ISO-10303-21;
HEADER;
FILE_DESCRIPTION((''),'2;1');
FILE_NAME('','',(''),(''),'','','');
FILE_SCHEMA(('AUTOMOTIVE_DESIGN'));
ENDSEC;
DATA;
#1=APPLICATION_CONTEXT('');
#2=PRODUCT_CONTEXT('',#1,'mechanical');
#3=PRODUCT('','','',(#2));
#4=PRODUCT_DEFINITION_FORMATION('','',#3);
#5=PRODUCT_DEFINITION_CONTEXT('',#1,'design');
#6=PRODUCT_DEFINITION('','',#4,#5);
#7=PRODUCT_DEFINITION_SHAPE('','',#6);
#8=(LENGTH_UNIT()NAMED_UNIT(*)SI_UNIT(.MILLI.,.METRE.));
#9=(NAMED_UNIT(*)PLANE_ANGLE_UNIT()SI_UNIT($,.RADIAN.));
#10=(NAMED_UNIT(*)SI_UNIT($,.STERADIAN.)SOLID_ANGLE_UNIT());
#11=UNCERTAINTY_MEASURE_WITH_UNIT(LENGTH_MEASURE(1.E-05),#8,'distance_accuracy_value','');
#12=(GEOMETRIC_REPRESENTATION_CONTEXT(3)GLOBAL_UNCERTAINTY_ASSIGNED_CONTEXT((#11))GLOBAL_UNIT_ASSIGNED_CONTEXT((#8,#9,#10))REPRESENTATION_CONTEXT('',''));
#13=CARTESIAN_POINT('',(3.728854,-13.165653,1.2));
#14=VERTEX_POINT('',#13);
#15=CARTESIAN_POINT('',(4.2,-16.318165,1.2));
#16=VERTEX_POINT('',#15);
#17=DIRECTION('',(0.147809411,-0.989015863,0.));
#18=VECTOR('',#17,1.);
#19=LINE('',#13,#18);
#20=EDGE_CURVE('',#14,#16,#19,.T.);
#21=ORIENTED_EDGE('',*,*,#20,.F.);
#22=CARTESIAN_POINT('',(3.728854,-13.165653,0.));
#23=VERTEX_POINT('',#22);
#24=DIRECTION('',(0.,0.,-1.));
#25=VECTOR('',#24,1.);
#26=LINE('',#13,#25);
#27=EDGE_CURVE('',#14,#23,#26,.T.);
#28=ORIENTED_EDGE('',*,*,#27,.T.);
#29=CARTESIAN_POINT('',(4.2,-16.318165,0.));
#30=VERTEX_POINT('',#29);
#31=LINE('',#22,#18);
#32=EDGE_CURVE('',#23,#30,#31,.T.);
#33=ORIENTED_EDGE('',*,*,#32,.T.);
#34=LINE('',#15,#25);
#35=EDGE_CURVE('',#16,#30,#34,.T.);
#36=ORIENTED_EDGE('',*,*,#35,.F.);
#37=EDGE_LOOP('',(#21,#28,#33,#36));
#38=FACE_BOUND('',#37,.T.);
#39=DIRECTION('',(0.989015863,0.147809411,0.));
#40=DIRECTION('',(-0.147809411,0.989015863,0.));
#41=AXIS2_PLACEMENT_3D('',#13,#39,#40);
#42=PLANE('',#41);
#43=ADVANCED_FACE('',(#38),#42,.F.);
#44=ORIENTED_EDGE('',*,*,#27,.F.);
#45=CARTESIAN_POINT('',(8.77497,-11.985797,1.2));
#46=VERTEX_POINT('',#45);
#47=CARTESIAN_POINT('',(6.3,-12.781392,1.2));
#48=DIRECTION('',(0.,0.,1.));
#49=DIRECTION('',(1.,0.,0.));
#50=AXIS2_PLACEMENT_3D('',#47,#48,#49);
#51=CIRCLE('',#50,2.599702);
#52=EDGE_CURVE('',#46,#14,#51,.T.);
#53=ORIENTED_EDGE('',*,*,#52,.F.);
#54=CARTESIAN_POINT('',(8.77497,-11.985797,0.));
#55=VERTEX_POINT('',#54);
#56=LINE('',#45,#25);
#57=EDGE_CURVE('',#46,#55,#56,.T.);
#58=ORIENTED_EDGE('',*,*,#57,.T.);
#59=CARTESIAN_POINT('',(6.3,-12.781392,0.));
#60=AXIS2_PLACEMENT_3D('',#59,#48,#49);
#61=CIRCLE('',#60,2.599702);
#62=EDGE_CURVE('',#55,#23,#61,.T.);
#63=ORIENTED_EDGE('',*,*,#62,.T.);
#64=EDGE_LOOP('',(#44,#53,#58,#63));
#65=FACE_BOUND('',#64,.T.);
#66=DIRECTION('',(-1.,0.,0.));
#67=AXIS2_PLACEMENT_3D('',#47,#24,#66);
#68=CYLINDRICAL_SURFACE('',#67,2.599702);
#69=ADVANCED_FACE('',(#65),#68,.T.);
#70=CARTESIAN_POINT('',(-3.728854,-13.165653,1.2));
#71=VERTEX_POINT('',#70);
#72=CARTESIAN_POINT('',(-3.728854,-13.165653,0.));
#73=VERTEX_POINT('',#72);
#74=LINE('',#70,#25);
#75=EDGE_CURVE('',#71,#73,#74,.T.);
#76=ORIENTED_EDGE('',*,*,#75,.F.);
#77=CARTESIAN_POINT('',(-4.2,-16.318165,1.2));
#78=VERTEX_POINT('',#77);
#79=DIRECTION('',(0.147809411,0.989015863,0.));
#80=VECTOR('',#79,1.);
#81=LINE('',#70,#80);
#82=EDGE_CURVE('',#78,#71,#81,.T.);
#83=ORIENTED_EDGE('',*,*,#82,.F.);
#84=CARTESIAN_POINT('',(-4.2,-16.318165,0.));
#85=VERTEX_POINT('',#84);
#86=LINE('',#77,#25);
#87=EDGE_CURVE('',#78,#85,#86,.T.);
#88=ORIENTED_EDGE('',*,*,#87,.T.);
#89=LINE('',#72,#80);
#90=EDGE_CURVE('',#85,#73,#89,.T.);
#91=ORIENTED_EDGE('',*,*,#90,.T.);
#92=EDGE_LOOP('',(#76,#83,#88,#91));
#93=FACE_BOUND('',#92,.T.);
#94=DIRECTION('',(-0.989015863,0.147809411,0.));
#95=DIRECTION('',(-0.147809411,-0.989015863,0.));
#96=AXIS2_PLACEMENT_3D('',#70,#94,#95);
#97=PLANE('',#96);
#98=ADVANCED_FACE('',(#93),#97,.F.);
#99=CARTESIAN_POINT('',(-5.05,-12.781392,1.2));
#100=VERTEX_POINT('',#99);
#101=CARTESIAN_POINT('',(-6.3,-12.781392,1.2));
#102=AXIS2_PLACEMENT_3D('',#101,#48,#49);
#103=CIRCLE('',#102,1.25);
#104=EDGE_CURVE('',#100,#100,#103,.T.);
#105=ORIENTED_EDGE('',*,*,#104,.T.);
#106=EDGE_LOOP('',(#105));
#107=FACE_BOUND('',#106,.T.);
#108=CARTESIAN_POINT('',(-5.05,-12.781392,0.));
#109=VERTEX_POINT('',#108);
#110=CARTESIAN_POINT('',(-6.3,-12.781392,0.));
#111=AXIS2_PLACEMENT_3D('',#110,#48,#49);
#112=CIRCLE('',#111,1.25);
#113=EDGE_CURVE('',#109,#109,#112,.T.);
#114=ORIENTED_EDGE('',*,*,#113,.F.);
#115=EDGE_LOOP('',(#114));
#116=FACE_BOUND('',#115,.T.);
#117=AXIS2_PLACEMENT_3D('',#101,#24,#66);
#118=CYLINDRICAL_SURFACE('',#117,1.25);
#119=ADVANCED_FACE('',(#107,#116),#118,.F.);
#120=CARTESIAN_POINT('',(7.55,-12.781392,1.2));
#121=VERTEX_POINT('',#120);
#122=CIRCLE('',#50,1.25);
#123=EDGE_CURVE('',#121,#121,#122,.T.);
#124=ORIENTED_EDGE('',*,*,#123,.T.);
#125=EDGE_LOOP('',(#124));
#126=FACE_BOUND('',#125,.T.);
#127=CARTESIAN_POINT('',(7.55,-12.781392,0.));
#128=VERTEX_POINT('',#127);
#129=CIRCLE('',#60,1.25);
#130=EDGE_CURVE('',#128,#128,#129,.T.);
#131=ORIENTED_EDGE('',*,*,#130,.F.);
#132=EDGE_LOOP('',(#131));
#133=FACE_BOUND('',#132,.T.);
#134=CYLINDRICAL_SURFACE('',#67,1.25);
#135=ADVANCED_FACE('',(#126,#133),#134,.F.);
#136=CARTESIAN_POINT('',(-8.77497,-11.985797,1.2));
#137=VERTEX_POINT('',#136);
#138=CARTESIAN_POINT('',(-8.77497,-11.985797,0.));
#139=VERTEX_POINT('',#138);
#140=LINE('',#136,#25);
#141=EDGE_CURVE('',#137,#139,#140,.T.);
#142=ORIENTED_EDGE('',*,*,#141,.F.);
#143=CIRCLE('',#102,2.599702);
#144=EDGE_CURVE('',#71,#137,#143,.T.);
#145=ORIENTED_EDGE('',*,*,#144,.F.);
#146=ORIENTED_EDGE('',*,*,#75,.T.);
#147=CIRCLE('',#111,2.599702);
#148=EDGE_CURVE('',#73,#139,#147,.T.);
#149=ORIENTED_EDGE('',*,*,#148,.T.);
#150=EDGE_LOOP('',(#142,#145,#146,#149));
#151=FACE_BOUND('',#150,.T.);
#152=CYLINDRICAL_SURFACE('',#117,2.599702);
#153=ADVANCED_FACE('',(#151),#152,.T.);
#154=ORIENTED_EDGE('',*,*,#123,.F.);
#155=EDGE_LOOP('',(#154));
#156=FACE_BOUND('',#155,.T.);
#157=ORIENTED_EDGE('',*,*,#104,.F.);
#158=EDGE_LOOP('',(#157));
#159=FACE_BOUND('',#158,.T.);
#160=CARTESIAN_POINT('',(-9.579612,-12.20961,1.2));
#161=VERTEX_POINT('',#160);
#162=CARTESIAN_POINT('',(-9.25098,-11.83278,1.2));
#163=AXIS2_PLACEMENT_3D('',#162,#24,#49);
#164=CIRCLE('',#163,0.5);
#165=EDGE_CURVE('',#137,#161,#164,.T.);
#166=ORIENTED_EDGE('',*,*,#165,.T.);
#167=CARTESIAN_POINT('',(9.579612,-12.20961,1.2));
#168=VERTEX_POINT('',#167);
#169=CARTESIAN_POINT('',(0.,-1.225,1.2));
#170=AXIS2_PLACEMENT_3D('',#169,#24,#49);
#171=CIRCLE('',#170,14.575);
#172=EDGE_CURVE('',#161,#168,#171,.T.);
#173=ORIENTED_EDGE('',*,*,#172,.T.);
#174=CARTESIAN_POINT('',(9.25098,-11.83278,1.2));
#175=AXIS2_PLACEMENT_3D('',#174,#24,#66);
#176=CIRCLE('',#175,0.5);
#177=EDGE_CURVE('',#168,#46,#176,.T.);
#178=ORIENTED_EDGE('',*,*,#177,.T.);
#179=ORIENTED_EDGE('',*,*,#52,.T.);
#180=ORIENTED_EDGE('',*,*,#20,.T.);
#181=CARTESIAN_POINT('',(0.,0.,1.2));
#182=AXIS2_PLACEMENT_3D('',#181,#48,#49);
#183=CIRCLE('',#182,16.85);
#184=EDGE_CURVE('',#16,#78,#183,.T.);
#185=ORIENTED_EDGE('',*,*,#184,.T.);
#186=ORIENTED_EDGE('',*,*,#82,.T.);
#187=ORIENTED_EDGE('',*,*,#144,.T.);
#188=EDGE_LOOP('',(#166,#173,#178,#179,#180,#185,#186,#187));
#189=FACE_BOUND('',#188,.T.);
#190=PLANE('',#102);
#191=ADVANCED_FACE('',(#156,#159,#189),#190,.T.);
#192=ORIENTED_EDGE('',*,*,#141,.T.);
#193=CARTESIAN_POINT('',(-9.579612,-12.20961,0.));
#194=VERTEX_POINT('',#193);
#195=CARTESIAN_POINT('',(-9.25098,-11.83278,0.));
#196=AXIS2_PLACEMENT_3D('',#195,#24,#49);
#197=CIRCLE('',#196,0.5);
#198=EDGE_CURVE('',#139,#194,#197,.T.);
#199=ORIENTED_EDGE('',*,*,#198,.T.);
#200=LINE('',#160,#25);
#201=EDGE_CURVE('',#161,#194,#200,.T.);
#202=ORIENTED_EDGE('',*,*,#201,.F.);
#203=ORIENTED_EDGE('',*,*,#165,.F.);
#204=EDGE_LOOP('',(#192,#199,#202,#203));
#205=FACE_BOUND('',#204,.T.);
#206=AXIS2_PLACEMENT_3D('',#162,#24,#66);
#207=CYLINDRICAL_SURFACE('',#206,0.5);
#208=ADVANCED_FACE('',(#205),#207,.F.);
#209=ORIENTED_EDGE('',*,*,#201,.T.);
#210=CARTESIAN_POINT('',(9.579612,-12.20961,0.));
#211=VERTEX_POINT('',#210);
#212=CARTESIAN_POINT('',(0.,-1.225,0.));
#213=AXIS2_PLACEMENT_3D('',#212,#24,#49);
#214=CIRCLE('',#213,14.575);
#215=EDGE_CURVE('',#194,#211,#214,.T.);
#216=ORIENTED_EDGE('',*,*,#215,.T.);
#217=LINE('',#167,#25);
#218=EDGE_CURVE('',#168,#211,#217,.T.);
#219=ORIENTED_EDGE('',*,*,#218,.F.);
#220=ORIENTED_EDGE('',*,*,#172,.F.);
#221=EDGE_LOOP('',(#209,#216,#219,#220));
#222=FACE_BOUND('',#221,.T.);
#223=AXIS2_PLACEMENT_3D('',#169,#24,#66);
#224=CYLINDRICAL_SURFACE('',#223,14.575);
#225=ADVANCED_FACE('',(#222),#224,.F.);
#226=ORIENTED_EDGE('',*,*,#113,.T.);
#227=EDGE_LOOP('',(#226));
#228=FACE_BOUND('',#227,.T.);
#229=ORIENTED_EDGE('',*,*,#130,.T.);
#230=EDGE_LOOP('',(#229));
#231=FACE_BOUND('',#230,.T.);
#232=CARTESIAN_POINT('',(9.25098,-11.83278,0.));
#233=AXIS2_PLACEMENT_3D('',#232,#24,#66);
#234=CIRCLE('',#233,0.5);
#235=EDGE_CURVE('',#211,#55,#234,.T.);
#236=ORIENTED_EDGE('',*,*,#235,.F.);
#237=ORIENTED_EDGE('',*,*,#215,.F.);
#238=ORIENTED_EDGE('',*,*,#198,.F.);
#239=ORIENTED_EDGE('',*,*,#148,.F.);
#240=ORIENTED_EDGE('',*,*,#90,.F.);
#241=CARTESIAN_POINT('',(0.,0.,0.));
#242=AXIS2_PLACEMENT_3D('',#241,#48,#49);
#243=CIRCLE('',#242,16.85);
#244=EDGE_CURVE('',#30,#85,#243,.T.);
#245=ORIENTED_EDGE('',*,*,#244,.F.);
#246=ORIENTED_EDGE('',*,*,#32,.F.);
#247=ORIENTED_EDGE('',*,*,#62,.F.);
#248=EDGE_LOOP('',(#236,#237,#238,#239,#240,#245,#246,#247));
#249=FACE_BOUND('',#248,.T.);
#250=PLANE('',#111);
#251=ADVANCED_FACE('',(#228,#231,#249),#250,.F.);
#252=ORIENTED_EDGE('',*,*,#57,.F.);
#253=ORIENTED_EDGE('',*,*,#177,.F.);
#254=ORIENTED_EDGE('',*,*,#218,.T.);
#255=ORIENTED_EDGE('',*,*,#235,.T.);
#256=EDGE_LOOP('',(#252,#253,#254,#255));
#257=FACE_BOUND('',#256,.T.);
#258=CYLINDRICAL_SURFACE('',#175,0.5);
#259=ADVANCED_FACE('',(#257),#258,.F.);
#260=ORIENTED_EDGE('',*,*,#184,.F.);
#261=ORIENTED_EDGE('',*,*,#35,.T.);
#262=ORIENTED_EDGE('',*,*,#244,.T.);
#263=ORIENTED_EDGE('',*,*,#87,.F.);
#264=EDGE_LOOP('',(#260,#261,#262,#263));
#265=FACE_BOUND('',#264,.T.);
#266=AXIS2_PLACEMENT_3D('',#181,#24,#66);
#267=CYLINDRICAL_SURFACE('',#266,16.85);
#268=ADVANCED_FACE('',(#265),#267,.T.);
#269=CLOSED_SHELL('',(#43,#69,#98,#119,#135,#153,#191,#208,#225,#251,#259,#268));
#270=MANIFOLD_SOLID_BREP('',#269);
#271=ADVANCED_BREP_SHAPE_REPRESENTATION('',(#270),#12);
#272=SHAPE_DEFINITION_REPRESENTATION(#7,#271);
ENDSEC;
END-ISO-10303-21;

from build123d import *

# Parameters (mm, degrees)
SKETCH1_R           = 1.25
BOSS_EXTRUDE1_DEPTH = 1.2


with BuildPart() as part:
    # Sketch1 → Boss-Extrude1 (new body)
    with BuildSketch(Plane.XY):
        with BuildLine():
            Line((-3.728853942, -13.165652838), (-4.2, -16.318164725))
            ThreePointArc((-4.2, -16.318164725), (0, 16.85), (4.2, -16.318164725))
            Line((4.2, -16.318164725), (3.728853942, -13.165652838))
            ThreePointArc((3.728853942, -13.165652838), (5.708115152, -10.24996593), (8.774969741, -11.985796572))
            ThreePointArc((8.774969741, -11.985796572), (9.116990276, -12.314492079), (9.579611723, -12.209610336))
            ThreePointArc((9.579611723, -12.209610336), (0, 13.35), (-9.579611723, -12.209610336))
            ThreePointArc((-9.579611723, -12.209610336), (-9.116990276, -12.314492079), (-8.774969741, -11.985796572))
            ThreePointArc((-8.774969741, -11.985796572), (-5.708115152, -10.24996593), (-3.728853942, -13.165652838))
        make_face()
        with Locations((-6.3, -12.781392485)):
            Circle(SKETCH1_R, mode=Mode.SUBTRACT)
        with Locations((6.3, -12.781392485)):
            Circle(SKETCH1_R, mode=Mode.SUBTRACT)
    extrude(amount=BOSS_EXTRUDE1_DEPTH)


solid = part.part
